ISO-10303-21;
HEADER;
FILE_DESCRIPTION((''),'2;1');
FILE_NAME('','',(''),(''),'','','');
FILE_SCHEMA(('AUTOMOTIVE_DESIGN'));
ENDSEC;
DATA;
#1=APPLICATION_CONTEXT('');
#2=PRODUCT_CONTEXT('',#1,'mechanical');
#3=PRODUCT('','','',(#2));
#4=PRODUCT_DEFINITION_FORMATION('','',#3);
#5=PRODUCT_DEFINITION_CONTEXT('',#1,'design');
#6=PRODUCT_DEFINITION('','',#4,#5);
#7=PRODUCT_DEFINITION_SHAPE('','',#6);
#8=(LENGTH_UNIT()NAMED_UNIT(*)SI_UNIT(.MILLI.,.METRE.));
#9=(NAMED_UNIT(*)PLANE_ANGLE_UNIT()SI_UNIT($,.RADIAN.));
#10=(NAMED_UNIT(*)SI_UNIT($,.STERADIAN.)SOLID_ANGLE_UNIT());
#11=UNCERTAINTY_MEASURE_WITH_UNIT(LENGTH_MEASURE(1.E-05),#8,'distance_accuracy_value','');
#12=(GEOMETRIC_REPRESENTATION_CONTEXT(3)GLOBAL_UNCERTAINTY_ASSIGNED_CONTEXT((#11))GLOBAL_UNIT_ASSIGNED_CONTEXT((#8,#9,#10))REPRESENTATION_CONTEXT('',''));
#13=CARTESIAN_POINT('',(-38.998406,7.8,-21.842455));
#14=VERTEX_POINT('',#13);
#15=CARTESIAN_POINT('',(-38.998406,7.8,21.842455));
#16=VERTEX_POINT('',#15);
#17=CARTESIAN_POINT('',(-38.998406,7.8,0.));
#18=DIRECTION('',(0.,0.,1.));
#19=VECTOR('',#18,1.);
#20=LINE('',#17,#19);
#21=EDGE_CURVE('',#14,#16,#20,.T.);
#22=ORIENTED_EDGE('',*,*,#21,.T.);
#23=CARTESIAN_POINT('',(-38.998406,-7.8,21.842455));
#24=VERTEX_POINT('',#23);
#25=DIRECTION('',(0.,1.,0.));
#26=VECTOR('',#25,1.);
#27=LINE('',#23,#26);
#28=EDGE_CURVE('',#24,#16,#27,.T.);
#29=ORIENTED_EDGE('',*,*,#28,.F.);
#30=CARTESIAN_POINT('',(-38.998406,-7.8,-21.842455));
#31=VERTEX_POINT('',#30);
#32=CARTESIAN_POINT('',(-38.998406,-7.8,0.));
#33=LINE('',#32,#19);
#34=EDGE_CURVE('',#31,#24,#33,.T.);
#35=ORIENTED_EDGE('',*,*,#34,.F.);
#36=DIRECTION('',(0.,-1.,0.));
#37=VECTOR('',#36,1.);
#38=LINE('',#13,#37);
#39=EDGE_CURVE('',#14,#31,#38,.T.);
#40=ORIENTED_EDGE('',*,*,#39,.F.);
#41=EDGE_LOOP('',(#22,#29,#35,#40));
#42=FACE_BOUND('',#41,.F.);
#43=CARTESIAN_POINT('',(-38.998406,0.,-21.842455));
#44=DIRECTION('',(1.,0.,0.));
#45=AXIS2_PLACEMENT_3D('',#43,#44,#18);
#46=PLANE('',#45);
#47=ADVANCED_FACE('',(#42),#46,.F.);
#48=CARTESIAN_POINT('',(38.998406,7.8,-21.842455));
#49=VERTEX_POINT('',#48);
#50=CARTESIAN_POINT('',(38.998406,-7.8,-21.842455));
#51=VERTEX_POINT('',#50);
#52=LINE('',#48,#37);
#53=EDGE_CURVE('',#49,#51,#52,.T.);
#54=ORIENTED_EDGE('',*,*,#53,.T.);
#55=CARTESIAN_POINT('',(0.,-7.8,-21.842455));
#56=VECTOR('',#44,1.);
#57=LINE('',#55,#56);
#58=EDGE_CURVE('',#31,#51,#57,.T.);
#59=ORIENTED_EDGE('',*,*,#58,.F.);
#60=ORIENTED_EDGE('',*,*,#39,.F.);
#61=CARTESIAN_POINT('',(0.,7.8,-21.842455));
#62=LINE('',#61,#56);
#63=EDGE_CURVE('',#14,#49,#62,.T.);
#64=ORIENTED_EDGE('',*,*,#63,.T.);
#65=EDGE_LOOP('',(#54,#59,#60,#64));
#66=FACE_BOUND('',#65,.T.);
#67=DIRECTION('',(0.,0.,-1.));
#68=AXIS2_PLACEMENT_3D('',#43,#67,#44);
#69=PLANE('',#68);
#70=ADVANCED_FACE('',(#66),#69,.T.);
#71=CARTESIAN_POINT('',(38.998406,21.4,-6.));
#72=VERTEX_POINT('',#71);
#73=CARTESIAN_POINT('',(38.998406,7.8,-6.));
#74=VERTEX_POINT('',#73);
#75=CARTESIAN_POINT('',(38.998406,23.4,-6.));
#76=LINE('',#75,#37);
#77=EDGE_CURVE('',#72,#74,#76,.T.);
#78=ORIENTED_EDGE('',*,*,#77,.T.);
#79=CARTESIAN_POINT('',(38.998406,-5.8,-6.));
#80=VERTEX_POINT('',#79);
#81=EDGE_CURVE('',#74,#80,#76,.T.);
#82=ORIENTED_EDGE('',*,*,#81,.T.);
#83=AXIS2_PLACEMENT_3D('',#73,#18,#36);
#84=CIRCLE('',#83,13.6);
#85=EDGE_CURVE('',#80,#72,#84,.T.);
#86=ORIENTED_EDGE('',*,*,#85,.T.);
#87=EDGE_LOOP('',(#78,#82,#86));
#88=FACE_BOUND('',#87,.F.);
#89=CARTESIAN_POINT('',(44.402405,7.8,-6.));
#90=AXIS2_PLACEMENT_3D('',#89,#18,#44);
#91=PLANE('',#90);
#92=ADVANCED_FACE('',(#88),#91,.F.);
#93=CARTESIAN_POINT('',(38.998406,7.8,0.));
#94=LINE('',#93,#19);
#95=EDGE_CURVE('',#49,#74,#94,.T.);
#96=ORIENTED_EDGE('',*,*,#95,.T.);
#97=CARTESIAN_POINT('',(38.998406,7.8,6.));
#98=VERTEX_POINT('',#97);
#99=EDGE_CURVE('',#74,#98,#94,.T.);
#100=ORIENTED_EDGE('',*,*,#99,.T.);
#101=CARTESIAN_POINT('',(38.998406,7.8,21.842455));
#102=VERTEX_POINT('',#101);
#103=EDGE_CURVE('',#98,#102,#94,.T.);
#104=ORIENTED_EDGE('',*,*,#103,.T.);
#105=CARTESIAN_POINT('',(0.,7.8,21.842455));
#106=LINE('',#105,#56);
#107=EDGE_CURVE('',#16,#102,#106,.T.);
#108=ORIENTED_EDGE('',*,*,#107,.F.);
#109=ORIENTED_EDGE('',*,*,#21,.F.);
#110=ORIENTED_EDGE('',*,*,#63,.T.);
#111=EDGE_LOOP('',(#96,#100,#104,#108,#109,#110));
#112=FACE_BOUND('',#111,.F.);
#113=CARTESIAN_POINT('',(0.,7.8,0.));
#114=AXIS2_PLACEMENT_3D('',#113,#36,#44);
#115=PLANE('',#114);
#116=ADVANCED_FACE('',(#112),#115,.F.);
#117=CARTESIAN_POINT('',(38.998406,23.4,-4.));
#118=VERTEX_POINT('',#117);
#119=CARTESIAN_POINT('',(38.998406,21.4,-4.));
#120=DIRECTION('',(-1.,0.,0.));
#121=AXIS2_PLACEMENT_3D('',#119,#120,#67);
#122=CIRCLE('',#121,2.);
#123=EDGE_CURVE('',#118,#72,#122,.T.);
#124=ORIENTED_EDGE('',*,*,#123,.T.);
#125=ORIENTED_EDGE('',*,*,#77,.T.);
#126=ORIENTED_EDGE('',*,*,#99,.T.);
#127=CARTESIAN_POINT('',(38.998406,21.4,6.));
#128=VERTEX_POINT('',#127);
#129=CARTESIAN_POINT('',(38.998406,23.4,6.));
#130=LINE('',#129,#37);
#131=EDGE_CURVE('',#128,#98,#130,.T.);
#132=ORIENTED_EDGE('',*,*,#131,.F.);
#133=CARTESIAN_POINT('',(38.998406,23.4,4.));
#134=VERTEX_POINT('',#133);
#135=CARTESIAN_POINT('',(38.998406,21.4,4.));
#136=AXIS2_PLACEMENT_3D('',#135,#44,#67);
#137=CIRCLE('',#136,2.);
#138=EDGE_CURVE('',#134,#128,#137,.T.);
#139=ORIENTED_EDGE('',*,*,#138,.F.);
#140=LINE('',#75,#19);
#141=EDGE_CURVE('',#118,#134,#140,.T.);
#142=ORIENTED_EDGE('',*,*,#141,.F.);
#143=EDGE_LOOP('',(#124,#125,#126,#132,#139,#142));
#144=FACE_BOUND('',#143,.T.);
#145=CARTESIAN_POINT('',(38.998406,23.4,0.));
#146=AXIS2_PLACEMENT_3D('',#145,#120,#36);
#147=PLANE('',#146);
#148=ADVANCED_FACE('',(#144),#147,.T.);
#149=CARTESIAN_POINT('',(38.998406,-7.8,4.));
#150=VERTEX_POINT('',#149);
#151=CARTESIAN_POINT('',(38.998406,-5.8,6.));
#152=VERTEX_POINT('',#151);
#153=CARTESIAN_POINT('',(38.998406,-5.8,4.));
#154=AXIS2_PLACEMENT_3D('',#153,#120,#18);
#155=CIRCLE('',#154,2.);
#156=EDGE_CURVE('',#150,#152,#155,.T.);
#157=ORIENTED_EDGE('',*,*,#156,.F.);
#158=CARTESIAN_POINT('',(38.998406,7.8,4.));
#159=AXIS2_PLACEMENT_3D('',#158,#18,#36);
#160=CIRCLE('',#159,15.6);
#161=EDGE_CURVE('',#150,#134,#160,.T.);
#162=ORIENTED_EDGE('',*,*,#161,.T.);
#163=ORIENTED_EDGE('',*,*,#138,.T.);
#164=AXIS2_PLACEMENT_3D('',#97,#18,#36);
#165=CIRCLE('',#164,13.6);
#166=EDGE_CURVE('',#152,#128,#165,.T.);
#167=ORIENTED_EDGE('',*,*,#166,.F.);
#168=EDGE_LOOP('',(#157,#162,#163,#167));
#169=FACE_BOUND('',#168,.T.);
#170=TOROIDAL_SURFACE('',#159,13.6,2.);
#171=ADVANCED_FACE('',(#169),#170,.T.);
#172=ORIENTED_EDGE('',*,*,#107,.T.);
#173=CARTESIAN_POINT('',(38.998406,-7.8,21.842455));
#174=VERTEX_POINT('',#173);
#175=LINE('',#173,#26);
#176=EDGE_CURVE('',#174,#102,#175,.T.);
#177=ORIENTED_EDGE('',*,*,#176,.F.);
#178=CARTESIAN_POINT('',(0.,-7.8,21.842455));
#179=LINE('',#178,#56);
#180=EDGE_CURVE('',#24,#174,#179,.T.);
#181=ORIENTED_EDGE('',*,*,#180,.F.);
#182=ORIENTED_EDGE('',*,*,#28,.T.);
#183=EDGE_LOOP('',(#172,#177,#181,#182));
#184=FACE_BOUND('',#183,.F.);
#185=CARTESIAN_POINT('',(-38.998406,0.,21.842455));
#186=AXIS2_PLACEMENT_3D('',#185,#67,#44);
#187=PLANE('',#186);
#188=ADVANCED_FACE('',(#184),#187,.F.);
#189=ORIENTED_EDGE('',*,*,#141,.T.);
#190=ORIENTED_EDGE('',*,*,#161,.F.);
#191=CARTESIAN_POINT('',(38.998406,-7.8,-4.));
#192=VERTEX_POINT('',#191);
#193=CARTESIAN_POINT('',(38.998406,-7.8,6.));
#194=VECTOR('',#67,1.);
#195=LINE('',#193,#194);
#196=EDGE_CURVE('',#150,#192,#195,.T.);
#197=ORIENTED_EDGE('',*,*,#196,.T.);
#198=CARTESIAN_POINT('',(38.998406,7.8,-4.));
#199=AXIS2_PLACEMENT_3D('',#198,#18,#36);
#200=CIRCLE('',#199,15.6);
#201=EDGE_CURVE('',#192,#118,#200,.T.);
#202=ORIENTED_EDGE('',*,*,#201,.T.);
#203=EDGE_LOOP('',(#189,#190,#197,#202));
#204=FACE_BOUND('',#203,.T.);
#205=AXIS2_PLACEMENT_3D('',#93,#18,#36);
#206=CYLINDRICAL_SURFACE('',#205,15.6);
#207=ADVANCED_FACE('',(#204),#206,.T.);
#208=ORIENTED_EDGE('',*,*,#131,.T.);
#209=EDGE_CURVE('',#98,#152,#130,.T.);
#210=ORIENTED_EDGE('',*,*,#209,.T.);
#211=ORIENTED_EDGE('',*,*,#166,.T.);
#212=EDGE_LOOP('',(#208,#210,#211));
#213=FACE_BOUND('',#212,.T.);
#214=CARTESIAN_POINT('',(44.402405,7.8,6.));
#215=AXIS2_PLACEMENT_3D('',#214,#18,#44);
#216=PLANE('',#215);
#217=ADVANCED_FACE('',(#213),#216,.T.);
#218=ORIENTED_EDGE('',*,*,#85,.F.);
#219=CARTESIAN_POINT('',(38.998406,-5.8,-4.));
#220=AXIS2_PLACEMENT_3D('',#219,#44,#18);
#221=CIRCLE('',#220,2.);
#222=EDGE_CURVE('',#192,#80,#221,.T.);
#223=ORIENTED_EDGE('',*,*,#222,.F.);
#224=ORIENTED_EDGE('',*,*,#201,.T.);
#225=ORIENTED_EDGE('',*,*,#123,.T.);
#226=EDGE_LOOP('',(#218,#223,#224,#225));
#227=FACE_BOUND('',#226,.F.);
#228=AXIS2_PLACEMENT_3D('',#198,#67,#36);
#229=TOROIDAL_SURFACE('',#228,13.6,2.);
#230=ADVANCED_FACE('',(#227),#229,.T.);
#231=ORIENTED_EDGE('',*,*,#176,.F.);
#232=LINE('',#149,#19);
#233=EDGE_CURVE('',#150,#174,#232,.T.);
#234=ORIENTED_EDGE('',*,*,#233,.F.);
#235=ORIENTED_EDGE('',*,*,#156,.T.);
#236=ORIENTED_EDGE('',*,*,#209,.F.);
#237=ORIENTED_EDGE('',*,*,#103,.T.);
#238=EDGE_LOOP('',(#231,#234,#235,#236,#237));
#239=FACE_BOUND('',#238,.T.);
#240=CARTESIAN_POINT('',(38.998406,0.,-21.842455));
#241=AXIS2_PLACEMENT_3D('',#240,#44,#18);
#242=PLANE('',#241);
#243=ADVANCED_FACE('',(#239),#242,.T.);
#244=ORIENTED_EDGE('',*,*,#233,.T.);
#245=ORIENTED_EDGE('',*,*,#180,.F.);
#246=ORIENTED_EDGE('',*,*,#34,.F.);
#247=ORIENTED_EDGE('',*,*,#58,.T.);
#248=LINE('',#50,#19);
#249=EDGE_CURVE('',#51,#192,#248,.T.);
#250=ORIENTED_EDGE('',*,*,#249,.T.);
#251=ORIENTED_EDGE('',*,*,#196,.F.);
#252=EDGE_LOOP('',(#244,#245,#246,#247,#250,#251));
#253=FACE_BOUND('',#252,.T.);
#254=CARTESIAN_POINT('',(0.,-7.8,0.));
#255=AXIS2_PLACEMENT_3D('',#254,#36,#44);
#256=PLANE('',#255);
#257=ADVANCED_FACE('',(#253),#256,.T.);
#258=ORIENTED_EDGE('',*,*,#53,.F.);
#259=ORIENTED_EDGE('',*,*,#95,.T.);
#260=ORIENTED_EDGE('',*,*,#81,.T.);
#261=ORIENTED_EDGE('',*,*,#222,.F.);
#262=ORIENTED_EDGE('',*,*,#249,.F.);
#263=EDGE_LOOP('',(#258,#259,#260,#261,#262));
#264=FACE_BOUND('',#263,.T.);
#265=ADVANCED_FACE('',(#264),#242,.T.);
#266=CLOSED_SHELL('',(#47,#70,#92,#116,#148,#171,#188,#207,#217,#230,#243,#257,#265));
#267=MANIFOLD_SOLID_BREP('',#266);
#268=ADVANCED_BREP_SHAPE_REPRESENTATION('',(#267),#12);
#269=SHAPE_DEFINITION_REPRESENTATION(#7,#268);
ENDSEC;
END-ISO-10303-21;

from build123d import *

# Parameters (mm, degrees)
F0_W     = 77.996812
F0_H     = 43.68491
F1_DEPTH = 7.8
F3_DEPTH = 6
F4_R     = 2


with BuildPart() as f1:
    # F0 (on Front) → F1 (new body, symmetric)
    with BuildSketch(Plane.XZ):
        Rectangle(F0_W, F0_H)
    extrude(amount=F1_DEPTH, both=True)

    # F2 (on Top) → F3 (join, symmetric)
    with BuildSketch(Plane.XY):
        with BuildLine():
            Line((38.998406, 7.8), (38.998406, -7.8))
            ThreePointArc((38.998406, -7.8), (54.598406, 7.8), (38.998406, 23.4))
            Line((38.998406, 23.4), (38.998406, 7.8))
        make_face()
    extrude(amount=F3_DEPTH, both=True)

    # F4
    f4_edges = [f1.edges().sort_by_distance(p)[0] for p in [
        (54.598406, 7.8, 6),
        (54.598406, 7.8, -6),
    ]]
    fillet(f4_edges, radius=F4_R)


solid = f1.part
